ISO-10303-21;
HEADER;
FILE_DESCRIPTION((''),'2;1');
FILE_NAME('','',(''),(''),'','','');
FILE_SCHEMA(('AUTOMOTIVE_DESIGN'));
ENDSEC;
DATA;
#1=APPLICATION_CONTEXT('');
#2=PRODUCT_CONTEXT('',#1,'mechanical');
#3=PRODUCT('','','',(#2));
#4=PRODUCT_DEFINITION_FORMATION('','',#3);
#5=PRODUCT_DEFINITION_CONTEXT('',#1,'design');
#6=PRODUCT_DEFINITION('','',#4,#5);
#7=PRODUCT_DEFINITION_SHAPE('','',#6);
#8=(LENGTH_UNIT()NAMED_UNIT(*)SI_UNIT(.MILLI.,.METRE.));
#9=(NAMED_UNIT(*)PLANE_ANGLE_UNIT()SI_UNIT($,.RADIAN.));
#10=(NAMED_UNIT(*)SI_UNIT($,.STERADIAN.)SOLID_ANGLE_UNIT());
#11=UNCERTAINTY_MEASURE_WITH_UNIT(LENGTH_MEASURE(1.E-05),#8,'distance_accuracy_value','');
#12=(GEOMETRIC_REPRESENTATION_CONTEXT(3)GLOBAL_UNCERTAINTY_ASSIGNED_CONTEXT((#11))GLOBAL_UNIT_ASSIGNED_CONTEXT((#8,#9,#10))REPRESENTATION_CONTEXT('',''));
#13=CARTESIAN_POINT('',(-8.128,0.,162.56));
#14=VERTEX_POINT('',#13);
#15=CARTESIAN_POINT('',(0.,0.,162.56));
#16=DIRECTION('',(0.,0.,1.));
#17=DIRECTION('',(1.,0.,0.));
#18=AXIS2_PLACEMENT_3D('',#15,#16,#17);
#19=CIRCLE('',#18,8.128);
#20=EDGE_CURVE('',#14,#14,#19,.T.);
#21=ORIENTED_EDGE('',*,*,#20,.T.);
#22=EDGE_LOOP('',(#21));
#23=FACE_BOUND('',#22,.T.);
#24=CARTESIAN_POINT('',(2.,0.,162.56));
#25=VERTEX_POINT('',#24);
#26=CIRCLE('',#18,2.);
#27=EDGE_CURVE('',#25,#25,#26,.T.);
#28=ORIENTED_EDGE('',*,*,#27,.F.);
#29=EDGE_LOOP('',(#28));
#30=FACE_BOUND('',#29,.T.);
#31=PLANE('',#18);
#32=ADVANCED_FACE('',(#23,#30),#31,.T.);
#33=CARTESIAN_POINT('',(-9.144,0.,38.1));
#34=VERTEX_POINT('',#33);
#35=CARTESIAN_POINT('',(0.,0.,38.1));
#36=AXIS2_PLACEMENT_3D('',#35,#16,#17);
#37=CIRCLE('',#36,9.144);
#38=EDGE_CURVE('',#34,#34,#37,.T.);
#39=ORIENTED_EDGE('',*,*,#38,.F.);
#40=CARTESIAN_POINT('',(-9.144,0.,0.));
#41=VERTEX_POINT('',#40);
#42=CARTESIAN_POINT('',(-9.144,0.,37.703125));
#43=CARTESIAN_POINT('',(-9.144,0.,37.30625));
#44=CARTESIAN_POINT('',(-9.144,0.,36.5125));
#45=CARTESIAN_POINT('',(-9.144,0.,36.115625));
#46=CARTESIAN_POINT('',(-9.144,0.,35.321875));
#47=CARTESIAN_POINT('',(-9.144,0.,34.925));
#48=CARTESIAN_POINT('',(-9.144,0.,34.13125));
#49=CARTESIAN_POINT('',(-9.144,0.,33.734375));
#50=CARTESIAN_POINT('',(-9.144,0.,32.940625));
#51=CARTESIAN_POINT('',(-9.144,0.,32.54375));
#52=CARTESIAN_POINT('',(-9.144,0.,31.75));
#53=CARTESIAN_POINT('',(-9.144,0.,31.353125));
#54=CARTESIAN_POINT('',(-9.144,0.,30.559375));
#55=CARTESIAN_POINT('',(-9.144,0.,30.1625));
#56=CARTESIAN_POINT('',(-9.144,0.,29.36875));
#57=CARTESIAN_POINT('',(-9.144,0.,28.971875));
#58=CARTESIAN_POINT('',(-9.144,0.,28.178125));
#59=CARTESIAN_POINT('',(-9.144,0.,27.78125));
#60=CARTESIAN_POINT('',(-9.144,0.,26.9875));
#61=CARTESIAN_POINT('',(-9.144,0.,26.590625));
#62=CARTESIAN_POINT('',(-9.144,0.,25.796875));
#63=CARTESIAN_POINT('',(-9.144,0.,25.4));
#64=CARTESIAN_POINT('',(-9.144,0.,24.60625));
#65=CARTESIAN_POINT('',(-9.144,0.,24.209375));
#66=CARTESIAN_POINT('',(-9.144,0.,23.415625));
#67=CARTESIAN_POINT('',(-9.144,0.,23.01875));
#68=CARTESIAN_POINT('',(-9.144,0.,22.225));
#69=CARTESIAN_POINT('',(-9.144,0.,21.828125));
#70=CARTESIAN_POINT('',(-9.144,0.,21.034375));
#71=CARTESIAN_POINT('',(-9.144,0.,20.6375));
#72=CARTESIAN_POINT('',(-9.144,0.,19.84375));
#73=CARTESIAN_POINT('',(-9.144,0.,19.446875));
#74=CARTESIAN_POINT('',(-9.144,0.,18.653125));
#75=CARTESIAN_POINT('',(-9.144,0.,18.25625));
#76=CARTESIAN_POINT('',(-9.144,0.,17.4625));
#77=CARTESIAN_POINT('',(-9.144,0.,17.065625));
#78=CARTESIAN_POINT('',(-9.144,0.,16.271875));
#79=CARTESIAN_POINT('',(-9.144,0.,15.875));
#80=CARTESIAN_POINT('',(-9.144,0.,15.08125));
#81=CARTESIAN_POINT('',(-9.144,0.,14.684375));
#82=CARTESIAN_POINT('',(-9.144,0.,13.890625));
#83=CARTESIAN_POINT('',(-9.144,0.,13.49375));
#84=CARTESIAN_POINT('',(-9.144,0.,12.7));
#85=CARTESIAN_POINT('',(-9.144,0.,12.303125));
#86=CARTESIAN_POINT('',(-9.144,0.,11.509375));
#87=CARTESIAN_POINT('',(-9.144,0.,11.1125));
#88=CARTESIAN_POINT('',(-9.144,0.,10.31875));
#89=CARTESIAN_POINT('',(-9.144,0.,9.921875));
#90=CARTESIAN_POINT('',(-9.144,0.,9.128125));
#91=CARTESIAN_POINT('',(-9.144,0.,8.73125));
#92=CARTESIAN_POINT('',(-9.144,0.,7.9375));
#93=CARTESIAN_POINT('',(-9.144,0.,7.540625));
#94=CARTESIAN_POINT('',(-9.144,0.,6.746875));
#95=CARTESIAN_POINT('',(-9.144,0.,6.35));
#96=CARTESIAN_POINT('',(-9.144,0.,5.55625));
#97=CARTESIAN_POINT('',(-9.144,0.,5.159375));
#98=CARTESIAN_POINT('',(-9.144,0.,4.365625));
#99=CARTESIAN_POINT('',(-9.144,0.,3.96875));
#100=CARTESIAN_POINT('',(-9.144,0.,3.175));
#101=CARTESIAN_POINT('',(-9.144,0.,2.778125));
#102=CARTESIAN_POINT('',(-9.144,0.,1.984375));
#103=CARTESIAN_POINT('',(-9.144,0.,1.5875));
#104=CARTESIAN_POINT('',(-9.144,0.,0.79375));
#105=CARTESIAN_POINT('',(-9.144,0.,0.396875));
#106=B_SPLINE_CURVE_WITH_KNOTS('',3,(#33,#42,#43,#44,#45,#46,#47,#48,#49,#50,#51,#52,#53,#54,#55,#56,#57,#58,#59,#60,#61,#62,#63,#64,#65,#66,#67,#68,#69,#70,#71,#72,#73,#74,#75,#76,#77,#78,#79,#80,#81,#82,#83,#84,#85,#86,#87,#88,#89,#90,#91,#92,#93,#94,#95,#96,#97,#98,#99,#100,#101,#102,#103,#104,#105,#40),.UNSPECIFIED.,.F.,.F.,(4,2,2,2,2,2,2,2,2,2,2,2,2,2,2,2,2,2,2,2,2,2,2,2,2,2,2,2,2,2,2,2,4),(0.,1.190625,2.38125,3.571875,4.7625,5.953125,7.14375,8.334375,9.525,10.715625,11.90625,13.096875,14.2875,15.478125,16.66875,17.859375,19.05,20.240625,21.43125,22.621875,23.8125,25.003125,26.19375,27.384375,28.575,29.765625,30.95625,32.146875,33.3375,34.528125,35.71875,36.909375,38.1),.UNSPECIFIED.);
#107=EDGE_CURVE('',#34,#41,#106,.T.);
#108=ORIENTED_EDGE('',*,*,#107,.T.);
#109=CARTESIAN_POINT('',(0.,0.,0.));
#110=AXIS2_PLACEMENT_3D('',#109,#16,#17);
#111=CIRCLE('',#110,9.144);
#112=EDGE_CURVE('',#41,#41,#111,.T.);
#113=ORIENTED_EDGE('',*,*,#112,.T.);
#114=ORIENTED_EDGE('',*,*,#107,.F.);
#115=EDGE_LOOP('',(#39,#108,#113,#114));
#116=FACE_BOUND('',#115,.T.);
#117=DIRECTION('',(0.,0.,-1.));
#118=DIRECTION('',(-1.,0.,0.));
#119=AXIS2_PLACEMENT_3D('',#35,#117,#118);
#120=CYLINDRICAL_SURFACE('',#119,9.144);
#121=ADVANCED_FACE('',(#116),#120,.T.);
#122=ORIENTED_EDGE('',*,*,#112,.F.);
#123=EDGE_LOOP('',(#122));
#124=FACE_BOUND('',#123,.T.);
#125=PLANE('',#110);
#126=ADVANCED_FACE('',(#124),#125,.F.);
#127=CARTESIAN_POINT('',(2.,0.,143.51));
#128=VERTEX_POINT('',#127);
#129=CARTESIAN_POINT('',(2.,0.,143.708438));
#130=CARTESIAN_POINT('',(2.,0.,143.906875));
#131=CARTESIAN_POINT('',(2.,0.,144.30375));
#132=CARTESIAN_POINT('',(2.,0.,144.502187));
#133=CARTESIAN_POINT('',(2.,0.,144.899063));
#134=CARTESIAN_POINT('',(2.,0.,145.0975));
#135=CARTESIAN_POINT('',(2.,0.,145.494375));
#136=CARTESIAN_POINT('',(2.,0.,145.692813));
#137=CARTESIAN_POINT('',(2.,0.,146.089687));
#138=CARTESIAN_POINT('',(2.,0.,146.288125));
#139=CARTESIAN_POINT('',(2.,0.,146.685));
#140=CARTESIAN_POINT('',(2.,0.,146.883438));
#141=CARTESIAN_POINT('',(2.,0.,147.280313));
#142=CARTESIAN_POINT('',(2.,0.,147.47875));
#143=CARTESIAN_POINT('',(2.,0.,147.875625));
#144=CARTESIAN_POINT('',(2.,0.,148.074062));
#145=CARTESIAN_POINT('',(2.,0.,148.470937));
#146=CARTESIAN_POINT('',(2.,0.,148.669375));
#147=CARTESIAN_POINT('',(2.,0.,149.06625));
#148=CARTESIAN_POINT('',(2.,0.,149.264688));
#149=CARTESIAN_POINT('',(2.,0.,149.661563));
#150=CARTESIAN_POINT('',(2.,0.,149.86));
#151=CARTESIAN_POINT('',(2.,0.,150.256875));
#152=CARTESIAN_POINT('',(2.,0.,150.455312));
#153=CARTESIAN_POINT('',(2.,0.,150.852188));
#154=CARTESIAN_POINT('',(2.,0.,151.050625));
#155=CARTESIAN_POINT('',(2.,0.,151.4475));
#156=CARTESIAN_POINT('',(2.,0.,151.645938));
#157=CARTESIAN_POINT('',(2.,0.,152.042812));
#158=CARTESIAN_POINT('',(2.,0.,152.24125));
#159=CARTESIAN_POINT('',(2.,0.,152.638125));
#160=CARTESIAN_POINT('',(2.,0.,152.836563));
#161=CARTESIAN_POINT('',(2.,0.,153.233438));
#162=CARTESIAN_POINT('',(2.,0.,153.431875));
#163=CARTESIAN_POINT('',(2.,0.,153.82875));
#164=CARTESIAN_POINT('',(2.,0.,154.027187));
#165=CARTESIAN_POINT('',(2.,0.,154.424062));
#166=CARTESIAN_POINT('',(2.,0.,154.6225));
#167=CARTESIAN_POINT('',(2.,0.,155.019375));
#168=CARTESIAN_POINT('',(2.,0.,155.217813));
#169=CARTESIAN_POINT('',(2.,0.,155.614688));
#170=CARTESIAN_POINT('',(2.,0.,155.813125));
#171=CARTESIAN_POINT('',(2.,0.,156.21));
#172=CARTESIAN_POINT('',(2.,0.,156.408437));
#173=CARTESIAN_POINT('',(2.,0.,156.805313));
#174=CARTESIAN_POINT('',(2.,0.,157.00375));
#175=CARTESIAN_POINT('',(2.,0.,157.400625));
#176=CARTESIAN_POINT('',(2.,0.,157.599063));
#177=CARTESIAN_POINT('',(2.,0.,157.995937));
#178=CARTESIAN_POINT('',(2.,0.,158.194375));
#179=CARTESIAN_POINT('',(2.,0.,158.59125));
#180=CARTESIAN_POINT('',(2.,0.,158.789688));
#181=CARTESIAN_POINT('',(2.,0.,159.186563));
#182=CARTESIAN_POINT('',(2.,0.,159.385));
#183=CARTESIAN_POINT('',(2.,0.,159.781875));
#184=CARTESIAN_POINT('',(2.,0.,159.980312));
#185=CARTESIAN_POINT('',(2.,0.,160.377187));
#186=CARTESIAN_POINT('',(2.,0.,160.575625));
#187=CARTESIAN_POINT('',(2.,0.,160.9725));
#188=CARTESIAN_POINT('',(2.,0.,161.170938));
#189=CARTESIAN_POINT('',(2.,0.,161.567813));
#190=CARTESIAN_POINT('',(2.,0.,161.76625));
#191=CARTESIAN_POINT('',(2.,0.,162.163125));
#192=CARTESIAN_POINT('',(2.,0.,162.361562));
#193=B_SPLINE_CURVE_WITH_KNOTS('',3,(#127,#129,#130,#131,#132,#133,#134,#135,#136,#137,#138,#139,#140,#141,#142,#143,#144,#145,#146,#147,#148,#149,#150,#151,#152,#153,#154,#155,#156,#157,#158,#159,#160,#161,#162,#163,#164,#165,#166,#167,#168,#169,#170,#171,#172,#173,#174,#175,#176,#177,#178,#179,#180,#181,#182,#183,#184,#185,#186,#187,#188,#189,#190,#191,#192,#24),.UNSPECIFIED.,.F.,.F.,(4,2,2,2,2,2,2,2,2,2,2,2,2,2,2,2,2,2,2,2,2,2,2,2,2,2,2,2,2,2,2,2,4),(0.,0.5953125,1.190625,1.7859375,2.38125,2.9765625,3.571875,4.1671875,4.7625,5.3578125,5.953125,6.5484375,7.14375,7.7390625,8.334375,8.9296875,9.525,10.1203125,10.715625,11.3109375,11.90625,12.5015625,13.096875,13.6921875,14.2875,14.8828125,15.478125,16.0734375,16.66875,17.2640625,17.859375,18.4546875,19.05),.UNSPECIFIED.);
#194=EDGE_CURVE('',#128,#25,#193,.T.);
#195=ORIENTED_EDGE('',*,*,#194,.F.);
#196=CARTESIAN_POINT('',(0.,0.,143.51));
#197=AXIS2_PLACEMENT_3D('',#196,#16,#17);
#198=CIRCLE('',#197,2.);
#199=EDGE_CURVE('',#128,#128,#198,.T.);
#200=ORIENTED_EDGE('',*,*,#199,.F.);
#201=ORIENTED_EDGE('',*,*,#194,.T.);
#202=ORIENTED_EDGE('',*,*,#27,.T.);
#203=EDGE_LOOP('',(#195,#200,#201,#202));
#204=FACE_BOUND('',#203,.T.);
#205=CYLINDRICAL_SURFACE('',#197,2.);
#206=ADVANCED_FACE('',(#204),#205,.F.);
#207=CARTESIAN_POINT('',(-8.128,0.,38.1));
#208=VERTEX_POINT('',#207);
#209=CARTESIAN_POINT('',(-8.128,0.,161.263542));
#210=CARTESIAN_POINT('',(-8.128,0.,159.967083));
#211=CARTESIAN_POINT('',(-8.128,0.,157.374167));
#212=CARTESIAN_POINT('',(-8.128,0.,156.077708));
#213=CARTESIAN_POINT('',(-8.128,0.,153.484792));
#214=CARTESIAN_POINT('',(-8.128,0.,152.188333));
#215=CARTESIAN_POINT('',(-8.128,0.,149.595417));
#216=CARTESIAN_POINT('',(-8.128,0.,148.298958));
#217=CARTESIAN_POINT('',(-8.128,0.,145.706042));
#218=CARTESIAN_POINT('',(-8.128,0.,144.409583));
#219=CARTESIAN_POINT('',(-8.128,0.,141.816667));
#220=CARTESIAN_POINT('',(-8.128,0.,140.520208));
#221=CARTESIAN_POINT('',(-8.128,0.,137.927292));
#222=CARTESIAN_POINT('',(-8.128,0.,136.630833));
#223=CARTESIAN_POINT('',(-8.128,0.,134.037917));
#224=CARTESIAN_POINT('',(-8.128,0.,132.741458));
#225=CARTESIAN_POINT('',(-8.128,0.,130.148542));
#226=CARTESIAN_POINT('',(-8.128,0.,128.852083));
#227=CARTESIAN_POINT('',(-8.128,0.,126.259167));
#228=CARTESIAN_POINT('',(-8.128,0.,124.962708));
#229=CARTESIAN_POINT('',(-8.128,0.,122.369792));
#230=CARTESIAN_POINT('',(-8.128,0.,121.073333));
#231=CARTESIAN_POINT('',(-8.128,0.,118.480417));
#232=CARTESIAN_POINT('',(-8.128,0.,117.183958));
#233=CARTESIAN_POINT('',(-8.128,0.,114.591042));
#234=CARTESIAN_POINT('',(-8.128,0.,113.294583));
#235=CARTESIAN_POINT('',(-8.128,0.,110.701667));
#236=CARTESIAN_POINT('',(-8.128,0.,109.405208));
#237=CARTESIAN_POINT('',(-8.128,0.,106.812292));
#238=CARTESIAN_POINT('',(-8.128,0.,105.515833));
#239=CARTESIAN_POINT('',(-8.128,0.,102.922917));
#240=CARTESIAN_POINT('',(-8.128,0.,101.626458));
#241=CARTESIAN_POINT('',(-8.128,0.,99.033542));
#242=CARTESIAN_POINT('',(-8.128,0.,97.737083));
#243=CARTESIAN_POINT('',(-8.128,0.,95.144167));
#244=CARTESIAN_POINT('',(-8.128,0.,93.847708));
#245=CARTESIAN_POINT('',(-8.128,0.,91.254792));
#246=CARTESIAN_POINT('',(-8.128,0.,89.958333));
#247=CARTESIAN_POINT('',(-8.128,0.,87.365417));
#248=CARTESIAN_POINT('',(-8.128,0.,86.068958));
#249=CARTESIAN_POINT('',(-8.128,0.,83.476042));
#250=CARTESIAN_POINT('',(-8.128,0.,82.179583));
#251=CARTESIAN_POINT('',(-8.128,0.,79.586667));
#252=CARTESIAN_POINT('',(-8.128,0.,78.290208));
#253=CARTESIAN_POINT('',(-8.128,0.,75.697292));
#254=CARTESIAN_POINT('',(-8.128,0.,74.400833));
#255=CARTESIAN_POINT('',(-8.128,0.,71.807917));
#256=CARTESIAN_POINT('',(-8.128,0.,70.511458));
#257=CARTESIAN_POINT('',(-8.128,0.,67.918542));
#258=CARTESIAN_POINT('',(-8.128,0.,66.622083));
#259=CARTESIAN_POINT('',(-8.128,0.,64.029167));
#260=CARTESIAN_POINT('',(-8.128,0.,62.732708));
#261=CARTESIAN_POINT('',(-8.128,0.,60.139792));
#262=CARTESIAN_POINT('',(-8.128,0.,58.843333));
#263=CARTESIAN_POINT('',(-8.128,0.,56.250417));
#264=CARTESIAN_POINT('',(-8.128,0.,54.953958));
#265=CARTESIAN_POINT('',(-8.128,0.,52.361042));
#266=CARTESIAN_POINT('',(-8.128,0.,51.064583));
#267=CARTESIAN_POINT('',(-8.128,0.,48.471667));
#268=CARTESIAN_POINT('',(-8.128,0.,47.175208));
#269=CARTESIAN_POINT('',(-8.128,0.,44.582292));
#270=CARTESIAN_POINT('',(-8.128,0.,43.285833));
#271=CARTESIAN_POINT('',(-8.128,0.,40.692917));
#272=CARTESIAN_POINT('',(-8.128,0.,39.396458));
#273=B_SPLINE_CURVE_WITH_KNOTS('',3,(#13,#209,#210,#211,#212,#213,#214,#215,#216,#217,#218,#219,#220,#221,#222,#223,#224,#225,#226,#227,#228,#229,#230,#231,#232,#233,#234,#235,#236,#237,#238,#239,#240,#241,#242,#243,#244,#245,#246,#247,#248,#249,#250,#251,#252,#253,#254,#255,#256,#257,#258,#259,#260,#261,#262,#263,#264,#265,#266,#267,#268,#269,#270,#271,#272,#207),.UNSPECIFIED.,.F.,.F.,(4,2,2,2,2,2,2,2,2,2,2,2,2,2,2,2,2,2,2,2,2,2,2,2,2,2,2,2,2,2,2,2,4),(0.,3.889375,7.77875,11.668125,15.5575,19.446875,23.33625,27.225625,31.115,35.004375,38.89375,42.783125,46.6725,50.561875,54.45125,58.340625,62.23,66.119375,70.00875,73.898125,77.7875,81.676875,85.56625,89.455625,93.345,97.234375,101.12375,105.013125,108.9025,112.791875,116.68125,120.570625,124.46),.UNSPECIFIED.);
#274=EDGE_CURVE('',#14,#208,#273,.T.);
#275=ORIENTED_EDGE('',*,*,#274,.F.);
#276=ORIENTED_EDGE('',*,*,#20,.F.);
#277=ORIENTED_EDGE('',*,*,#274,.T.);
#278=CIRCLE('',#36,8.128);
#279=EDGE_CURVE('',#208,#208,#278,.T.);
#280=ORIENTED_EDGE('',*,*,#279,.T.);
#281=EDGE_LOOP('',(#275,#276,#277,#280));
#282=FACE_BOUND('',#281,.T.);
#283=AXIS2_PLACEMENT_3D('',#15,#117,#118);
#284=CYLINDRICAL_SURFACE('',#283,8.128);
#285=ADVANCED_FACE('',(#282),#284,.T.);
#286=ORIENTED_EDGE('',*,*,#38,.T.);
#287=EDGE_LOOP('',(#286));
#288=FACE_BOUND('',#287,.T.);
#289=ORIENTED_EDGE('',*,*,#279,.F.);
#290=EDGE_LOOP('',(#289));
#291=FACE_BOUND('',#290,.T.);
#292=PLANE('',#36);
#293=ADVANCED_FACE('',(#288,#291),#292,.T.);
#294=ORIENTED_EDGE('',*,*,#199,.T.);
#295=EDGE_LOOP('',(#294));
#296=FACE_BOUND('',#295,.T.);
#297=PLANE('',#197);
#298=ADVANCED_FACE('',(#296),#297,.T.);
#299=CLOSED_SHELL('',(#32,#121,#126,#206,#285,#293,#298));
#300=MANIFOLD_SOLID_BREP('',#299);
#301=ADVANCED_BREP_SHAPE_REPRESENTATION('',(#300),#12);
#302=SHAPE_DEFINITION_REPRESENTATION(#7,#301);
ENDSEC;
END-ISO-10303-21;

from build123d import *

# Parameters (mm, degrees)
SKETCH2_R             = 9.144
THICKER_SECTION_DEPTH = 38.1
SKETCH3_R             = 8.128
SMALLER_SECTION_DEPTH = 124.46
SKETCH4_R             = 2
CUT_EXTRUDE1_DEPTH    = 19.05


with BuildPart() as part:
    # Sketch2 → Thicker Section (new body)
    with BuildSketch(Plane.XY):
        with Locations(Location((0, 0, 0), (0, 0, 180))):
            Circle(SKETCH2_R)
    extrude(amount=THICKER_SECTION_DEPTH)

    # Sketch3 → Smaller  Section (add)
    with BuildSketch(Plane.XY.offset(38.1)):
        with Locations(Location((0, 0, 0), (0, 0, 180))):
            Circle(SKETCH3_R)
    extrude(amount=SMALLER_SECTION_DEPTH)

    # Sketch4 → Cut-Extrude1 (cut)
    with BuildSketch(Plane.XY.offset(162.56)):
        Circle(SKETCH4_R)
    extrude(amount=-CUT_EXTRUDE1_DEPTH, mode=Mode.SUBTRACT)


solid = part.part
